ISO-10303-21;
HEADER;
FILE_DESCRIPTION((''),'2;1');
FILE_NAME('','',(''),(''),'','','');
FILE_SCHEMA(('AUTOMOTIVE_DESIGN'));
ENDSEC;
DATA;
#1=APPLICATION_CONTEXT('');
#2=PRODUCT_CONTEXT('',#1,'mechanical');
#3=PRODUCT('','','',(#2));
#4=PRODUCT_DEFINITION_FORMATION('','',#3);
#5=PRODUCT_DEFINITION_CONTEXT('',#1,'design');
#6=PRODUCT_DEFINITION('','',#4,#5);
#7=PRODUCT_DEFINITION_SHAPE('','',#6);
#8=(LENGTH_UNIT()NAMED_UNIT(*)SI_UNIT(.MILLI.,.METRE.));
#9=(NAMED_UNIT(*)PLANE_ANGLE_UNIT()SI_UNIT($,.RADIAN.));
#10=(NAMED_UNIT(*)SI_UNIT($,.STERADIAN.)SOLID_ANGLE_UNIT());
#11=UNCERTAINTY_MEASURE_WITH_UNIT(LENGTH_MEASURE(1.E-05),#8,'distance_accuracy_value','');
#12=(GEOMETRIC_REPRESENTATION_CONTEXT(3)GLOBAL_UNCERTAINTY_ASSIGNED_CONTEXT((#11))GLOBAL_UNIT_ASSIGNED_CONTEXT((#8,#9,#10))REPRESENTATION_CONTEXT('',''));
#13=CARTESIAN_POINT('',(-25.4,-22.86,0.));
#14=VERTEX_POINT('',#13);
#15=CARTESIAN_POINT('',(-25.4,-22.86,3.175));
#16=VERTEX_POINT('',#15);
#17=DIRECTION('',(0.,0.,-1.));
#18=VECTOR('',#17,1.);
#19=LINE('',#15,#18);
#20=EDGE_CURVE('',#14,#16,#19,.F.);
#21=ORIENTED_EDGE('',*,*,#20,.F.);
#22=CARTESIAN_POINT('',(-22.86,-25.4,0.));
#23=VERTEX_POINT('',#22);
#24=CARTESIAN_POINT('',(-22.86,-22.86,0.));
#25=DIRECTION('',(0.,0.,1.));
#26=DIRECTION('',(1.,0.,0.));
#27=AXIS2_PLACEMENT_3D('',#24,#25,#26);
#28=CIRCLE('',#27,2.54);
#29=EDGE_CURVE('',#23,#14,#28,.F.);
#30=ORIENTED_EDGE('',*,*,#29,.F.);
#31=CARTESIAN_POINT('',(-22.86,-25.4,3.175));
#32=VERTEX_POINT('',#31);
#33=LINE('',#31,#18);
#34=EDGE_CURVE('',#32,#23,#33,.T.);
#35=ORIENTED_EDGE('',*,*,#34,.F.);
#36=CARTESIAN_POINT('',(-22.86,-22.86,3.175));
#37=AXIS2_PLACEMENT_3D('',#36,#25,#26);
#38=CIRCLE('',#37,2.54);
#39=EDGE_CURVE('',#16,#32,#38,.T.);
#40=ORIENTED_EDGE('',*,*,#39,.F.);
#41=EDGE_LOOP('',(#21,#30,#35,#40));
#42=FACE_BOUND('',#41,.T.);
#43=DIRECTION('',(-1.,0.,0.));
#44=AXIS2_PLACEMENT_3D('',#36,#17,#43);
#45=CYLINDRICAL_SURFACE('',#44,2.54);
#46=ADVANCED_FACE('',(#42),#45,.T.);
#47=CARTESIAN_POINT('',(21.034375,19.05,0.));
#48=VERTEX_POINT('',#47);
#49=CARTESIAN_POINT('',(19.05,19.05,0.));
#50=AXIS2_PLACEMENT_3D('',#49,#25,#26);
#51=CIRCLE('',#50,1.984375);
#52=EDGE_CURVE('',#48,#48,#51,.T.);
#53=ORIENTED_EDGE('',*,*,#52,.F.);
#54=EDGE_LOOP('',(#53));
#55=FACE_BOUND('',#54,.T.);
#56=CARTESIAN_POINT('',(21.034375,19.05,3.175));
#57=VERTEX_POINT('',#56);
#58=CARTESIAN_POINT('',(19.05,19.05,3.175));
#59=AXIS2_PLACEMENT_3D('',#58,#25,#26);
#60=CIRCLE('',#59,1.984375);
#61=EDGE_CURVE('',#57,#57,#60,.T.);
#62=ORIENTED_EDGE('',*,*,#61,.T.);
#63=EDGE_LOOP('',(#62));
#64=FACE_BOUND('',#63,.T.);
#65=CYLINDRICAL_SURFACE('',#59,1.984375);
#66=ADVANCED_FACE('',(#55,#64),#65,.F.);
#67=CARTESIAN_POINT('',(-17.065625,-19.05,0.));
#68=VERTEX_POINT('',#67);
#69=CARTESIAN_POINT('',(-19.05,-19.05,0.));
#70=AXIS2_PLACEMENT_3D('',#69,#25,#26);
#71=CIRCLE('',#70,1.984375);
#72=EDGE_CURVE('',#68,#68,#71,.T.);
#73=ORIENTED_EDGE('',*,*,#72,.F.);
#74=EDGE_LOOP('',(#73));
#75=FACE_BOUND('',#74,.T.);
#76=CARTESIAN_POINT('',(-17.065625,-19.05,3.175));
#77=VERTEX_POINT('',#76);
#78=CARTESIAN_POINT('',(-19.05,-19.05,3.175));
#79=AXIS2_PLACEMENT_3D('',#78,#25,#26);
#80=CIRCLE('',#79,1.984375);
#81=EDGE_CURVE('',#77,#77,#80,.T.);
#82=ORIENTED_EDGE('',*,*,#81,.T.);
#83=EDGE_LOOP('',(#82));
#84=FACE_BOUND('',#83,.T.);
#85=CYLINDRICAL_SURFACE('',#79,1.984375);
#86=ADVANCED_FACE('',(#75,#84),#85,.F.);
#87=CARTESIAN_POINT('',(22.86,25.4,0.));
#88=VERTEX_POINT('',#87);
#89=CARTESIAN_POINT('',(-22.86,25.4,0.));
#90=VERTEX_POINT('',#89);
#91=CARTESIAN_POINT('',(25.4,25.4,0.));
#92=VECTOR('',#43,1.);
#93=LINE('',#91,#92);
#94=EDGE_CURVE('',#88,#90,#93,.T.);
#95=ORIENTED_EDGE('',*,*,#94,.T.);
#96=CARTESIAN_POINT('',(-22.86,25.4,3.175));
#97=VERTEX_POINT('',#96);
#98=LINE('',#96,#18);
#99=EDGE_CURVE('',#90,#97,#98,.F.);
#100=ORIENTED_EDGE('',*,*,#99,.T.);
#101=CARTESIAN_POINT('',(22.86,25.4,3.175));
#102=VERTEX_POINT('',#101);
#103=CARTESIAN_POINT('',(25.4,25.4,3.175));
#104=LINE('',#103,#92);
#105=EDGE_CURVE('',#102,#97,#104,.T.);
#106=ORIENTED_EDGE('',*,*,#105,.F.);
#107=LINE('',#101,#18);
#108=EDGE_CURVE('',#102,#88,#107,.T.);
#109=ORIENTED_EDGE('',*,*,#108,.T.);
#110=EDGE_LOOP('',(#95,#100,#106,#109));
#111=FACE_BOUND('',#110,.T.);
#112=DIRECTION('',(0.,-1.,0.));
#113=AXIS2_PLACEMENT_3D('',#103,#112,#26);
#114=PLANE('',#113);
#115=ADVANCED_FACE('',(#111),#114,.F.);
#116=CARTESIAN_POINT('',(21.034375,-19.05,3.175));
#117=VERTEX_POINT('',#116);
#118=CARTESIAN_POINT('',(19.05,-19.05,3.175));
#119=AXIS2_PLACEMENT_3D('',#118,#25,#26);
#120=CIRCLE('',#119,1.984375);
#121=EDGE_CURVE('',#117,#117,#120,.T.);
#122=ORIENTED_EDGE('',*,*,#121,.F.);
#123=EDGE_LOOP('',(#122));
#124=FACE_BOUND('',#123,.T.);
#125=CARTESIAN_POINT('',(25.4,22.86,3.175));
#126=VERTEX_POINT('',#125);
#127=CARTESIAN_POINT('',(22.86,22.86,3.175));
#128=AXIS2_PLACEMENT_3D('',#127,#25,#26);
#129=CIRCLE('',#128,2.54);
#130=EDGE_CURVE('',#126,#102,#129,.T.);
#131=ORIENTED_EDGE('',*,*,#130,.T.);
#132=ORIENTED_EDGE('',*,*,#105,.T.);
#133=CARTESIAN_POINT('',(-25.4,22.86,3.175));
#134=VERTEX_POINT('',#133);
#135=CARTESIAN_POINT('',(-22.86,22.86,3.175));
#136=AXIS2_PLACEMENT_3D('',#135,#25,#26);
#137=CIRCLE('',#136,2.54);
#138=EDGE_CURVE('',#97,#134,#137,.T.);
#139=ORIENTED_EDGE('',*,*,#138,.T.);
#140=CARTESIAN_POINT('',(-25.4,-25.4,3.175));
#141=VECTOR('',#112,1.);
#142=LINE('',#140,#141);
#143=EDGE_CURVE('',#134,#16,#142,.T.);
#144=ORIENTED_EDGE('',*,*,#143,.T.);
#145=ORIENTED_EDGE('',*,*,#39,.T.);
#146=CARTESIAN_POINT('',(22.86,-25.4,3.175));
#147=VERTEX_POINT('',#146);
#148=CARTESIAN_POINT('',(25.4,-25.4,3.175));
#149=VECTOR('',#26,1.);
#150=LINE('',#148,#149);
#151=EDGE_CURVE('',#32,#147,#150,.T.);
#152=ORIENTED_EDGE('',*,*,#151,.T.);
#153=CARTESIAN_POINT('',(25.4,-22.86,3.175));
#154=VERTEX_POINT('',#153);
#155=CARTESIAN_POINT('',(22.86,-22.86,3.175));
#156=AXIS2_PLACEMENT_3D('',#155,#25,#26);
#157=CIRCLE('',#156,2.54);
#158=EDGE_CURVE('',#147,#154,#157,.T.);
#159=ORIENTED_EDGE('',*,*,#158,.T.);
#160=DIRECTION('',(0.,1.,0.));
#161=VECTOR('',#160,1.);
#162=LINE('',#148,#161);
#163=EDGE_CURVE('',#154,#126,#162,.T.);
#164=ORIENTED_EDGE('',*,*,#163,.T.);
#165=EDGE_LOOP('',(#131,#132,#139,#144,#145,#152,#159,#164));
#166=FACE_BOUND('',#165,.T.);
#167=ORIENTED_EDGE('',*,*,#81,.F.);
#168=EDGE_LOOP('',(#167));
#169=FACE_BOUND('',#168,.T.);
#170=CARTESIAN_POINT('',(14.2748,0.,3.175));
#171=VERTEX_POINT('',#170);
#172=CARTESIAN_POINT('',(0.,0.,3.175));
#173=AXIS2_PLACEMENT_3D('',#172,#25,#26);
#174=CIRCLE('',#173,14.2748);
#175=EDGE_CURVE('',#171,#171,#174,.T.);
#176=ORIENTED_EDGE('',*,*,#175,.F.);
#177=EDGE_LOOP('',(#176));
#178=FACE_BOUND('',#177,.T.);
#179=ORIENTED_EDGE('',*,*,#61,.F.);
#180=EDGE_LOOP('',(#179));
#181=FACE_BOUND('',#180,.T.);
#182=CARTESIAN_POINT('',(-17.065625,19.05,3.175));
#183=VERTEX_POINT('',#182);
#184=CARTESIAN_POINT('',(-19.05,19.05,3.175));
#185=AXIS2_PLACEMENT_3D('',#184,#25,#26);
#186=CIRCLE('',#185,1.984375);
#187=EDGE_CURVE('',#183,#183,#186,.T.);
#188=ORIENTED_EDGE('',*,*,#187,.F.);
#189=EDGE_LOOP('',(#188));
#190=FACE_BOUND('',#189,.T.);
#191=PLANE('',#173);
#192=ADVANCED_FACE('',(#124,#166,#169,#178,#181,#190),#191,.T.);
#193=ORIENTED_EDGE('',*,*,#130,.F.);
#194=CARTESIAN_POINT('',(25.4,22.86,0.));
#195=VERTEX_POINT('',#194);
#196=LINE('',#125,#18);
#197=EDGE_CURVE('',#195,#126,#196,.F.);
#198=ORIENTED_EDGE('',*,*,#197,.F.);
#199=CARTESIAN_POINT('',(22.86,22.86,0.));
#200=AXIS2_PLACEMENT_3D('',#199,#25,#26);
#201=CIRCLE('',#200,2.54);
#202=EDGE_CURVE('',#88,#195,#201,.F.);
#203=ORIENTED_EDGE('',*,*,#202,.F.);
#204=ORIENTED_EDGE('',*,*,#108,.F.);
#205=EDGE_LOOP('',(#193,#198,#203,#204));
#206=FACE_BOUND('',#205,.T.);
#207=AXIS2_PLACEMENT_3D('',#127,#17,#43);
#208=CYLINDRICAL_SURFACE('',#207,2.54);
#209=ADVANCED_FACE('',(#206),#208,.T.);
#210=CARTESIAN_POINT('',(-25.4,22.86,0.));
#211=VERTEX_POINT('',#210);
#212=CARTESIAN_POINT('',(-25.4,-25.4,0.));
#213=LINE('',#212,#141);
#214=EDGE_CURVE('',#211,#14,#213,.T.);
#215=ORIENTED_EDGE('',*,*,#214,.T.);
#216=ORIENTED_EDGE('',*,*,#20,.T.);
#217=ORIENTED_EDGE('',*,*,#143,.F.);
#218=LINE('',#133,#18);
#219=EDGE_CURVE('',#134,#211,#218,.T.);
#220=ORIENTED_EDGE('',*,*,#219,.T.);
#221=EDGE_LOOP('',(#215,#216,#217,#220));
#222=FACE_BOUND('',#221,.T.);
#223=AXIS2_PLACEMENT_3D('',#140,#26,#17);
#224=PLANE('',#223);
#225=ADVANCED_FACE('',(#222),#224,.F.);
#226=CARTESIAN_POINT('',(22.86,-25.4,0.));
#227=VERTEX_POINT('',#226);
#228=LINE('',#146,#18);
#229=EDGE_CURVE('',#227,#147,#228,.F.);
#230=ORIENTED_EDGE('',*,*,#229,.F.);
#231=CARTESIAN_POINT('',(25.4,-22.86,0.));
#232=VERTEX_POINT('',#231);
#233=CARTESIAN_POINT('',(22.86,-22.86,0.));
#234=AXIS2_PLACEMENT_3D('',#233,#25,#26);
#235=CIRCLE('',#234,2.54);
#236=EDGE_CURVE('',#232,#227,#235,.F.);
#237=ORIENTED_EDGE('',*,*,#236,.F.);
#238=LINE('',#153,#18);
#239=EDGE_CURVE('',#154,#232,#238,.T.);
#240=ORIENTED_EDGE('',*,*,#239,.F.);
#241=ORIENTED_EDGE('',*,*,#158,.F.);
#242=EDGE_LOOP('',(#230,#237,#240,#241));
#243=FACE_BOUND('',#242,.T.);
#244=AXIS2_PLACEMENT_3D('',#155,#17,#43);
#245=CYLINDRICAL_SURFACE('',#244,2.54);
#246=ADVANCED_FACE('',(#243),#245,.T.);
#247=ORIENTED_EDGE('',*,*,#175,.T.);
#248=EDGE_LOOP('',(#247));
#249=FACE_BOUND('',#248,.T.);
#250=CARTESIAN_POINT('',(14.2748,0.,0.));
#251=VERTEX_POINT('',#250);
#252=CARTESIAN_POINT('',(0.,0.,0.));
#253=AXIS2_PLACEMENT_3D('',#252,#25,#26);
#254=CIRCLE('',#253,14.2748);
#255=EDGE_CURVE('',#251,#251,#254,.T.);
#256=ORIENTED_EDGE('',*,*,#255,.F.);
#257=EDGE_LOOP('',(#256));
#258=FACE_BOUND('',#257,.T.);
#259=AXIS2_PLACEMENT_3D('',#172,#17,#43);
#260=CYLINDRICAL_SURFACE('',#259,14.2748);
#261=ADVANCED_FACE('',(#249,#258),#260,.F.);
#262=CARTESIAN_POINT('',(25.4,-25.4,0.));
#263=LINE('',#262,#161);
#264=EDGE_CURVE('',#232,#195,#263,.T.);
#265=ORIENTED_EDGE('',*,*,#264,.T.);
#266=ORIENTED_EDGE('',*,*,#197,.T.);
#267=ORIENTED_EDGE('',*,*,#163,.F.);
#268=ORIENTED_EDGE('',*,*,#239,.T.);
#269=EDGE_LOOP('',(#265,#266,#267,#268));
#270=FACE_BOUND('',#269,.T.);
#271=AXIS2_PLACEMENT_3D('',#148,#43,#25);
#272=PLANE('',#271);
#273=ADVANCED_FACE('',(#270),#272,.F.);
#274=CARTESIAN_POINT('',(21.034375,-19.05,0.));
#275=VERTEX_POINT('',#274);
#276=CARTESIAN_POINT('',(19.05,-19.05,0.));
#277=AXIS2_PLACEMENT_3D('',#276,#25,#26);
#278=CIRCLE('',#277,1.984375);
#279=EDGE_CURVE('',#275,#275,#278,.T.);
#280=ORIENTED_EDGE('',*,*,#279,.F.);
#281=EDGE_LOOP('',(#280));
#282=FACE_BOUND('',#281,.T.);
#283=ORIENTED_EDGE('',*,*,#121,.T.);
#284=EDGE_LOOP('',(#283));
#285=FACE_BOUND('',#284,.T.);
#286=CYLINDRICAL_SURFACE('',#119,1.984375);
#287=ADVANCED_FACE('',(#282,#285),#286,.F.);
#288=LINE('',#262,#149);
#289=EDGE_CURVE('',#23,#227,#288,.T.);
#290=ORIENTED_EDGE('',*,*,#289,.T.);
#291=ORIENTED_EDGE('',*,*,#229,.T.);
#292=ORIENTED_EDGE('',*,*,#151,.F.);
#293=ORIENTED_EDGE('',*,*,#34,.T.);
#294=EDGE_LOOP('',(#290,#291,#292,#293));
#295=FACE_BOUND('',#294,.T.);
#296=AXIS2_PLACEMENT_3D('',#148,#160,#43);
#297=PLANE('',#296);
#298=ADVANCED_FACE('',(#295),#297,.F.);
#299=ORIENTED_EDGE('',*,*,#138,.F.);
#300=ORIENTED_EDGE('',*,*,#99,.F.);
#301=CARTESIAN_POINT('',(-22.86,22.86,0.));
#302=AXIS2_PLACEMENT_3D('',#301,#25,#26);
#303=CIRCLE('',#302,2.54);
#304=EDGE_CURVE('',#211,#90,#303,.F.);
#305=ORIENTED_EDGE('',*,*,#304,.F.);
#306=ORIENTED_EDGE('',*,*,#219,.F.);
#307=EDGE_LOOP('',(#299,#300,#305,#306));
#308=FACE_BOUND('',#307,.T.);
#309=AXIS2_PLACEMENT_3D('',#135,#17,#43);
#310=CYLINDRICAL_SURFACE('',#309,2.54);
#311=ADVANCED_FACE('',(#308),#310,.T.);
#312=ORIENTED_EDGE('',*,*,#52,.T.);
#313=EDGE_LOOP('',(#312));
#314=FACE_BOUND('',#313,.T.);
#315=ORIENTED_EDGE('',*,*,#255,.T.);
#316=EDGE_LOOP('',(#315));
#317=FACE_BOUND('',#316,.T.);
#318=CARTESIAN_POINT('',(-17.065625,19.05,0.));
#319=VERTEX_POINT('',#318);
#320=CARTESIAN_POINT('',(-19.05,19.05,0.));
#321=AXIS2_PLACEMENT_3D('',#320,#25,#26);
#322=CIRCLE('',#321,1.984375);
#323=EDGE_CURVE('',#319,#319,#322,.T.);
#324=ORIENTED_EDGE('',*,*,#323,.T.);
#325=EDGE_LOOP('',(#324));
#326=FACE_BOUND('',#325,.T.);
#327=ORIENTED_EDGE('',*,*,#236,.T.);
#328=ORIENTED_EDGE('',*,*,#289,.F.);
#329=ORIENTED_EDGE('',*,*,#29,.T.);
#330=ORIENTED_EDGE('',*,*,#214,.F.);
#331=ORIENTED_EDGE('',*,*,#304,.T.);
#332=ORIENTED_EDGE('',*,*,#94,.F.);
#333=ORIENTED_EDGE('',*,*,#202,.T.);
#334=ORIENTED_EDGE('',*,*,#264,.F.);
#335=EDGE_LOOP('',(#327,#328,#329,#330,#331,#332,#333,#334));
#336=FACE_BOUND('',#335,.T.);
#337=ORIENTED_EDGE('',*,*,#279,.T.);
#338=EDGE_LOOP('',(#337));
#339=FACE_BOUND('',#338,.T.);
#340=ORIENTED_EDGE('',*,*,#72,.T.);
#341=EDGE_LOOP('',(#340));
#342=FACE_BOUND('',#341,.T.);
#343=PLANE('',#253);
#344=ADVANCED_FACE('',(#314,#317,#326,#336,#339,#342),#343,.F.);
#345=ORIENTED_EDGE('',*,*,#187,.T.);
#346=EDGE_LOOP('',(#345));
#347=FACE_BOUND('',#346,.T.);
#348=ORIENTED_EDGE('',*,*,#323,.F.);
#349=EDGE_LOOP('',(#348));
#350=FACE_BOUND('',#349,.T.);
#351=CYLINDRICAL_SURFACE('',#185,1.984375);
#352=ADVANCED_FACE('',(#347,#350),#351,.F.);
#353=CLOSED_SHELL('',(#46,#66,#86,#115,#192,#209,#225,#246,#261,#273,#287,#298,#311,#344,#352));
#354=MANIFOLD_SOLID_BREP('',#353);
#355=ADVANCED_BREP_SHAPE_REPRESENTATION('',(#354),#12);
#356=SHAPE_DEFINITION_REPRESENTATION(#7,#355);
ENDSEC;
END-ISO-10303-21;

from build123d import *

# Parameters (mm, degrees)
SKETCH1_W                       = 50.8
SKETCH1_H                       = 50.8
SKETCH1_R                       = 14.2748
BOSS_EXTRUDE1_DEPTH             = 3.175
FILLET1_R                       = 2.54
F_5_32_0_15625_DIAMETER_HOLE1_D = 3.96875


with BuildPart() as part:
    # Sketch1 → Boss-Extrude1 (new body)
    with BuildSketch(Plane.XY):
        Rectangle(SKETCH1_W, SKETCH1_H)
        Circle(SKETCH1_R, mode=Mode.SUBTRACT)
    extrude(amount=BOSS_EXTRUDE1_DEPTH)

    # Fillet1
    fillet1_edges = [part.edges().sort_by_distance(p)[0] for p in [
        (-25.4, 25.4, 1.5875),
        (25.4, 25.4, 1.5875),
        (25.4, -25.4, 1.5875),
        (-25.4, -25.4, 1.5875),
    ]]
    fillet(fillet1_edges, radius=FILLET1_R)

    # 5/32 (0.15625) Diameter Hole1 (through all)
    with Locations(Plane.XY.offset(3.175)):
        with Locations((-19.05, 19.05), (19.05, 19.05), (19.05, -19.05), (-19.05, -19.05)):
            Hole(F_5_32_0_15625_DIAMETER_HOLE1_D / 2)


solid = part.part
